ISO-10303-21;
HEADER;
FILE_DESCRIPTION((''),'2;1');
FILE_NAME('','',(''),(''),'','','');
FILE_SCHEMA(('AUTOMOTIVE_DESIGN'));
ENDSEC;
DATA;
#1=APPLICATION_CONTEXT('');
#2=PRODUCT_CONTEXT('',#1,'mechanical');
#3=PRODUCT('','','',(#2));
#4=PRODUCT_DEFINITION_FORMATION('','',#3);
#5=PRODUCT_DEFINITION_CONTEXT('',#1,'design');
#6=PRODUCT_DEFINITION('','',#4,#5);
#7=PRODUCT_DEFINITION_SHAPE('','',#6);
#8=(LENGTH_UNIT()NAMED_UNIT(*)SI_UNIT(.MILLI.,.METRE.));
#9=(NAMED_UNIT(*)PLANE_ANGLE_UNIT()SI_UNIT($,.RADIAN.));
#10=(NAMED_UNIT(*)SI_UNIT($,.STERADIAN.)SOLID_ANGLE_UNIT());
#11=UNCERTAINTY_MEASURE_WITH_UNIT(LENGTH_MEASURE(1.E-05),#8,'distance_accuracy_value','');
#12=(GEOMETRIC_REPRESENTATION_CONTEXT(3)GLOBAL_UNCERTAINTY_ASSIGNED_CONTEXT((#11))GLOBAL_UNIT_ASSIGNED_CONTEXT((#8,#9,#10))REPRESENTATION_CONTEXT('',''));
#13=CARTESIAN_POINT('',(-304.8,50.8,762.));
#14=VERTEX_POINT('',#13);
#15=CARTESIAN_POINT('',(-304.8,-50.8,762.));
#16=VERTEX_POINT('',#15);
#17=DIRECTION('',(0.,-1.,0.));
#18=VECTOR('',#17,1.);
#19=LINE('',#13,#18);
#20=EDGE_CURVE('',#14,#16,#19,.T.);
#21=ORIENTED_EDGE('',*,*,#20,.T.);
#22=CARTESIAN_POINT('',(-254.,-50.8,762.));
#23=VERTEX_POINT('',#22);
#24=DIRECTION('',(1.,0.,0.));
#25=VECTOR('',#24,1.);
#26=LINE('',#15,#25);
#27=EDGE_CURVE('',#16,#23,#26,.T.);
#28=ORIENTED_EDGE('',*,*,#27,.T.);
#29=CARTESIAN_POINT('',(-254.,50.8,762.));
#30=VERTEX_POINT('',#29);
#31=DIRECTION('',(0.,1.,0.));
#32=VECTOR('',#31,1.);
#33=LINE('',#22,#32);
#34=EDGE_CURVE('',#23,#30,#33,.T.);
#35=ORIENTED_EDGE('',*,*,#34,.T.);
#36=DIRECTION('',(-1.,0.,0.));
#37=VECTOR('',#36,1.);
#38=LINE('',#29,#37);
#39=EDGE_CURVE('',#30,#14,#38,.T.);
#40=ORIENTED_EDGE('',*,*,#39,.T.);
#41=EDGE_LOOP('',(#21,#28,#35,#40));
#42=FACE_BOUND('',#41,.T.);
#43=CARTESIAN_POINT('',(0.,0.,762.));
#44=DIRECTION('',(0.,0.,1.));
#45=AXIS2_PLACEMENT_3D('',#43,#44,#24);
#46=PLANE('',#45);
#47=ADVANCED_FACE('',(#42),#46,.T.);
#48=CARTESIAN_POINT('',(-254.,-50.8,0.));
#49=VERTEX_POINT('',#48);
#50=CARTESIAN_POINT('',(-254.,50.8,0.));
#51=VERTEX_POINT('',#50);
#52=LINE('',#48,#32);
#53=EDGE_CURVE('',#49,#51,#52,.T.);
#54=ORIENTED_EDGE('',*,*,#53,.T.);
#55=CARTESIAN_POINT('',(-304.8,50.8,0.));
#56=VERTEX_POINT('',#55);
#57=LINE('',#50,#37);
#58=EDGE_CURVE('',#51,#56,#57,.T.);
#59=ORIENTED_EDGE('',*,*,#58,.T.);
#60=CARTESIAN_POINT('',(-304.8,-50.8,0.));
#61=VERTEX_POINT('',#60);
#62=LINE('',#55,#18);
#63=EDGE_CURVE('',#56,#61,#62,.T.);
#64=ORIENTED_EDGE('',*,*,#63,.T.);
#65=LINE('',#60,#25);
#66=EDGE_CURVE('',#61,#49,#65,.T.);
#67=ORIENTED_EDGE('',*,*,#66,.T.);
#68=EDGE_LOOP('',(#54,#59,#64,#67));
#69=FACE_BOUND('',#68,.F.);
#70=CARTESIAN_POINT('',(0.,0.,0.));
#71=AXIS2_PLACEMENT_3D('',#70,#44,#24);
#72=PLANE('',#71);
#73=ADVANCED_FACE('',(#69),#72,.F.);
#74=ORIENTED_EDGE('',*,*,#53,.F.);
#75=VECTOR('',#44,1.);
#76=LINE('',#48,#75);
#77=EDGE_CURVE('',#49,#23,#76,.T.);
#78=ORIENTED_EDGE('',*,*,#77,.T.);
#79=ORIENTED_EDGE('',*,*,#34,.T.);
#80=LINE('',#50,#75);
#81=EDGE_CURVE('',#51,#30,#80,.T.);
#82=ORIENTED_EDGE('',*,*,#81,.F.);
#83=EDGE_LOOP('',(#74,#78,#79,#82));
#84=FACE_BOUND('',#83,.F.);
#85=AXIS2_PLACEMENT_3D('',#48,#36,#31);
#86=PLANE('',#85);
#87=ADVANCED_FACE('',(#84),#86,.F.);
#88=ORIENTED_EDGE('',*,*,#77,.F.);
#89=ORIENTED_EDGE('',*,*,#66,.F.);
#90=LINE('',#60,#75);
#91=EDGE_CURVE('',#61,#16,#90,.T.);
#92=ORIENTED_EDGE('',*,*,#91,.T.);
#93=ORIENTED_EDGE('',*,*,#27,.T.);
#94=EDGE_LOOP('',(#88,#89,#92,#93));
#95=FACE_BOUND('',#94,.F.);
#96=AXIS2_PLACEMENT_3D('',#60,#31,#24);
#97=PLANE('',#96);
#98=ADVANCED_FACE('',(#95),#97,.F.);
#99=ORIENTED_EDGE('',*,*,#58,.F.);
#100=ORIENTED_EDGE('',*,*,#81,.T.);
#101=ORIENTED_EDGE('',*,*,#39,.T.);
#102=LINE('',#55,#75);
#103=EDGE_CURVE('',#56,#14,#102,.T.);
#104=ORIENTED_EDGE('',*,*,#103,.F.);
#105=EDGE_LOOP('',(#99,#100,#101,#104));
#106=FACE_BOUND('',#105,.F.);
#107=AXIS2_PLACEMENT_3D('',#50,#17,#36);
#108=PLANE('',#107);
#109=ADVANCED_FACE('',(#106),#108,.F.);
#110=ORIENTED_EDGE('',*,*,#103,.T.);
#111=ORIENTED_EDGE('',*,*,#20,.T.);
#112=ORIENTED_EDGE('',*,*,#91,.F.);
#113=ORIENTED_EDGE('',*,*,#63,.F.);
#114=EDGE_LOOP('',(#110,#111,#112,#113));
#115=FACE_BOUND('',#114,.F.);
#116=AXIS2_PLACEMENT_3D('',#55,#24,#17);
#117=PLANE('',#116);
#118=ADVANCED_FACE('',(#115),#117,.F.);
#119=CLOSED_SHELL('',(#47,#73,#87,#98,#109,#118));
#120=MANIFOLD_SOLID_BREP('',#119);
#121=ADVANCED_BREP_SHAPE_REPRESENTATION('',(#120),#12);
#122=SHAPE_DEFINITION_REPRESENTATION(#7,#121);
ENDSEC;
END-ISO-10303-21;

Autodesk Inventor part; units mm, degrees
ref_plane "YZ Plane" through (0, 0, 0) normal (1, 0, 0) x (0, 1, 0)
ref_plane "XZ Plane" through (0, 0, 0) normal (0, 1, 0) x (-1, 0, 0)
ref_plane "XY Plane" through (0, 0, 0) normal (0, 0, 1) x (1, 0, 0)
ref_plane "Work Plane1" through (0, 0, 0) normal (0, 0, 1) x (1, 0, 0)
sketch "Sketch1" plane through (0, 0, 0) normal (0, 0, 1) x (1, 0, 0)
  line L0 (-304.8, -50.8) -> (-254, -50.8)
  line L1 (-254, -50.8) -> (-254, 50.8)
  line L2 (-254, 50.8) -> (-304.8, 50.8)
  line L3 (-304.8, 50.8) -> (-304.8, -50.8)
  point P0 (0, 0)
  dimension "d0" = 50.8
  dimension "d1" = 101.6
extrude "Extrusion1" add sketch "Sketch1" along normal blind 762
properties part number "2x4x30"
